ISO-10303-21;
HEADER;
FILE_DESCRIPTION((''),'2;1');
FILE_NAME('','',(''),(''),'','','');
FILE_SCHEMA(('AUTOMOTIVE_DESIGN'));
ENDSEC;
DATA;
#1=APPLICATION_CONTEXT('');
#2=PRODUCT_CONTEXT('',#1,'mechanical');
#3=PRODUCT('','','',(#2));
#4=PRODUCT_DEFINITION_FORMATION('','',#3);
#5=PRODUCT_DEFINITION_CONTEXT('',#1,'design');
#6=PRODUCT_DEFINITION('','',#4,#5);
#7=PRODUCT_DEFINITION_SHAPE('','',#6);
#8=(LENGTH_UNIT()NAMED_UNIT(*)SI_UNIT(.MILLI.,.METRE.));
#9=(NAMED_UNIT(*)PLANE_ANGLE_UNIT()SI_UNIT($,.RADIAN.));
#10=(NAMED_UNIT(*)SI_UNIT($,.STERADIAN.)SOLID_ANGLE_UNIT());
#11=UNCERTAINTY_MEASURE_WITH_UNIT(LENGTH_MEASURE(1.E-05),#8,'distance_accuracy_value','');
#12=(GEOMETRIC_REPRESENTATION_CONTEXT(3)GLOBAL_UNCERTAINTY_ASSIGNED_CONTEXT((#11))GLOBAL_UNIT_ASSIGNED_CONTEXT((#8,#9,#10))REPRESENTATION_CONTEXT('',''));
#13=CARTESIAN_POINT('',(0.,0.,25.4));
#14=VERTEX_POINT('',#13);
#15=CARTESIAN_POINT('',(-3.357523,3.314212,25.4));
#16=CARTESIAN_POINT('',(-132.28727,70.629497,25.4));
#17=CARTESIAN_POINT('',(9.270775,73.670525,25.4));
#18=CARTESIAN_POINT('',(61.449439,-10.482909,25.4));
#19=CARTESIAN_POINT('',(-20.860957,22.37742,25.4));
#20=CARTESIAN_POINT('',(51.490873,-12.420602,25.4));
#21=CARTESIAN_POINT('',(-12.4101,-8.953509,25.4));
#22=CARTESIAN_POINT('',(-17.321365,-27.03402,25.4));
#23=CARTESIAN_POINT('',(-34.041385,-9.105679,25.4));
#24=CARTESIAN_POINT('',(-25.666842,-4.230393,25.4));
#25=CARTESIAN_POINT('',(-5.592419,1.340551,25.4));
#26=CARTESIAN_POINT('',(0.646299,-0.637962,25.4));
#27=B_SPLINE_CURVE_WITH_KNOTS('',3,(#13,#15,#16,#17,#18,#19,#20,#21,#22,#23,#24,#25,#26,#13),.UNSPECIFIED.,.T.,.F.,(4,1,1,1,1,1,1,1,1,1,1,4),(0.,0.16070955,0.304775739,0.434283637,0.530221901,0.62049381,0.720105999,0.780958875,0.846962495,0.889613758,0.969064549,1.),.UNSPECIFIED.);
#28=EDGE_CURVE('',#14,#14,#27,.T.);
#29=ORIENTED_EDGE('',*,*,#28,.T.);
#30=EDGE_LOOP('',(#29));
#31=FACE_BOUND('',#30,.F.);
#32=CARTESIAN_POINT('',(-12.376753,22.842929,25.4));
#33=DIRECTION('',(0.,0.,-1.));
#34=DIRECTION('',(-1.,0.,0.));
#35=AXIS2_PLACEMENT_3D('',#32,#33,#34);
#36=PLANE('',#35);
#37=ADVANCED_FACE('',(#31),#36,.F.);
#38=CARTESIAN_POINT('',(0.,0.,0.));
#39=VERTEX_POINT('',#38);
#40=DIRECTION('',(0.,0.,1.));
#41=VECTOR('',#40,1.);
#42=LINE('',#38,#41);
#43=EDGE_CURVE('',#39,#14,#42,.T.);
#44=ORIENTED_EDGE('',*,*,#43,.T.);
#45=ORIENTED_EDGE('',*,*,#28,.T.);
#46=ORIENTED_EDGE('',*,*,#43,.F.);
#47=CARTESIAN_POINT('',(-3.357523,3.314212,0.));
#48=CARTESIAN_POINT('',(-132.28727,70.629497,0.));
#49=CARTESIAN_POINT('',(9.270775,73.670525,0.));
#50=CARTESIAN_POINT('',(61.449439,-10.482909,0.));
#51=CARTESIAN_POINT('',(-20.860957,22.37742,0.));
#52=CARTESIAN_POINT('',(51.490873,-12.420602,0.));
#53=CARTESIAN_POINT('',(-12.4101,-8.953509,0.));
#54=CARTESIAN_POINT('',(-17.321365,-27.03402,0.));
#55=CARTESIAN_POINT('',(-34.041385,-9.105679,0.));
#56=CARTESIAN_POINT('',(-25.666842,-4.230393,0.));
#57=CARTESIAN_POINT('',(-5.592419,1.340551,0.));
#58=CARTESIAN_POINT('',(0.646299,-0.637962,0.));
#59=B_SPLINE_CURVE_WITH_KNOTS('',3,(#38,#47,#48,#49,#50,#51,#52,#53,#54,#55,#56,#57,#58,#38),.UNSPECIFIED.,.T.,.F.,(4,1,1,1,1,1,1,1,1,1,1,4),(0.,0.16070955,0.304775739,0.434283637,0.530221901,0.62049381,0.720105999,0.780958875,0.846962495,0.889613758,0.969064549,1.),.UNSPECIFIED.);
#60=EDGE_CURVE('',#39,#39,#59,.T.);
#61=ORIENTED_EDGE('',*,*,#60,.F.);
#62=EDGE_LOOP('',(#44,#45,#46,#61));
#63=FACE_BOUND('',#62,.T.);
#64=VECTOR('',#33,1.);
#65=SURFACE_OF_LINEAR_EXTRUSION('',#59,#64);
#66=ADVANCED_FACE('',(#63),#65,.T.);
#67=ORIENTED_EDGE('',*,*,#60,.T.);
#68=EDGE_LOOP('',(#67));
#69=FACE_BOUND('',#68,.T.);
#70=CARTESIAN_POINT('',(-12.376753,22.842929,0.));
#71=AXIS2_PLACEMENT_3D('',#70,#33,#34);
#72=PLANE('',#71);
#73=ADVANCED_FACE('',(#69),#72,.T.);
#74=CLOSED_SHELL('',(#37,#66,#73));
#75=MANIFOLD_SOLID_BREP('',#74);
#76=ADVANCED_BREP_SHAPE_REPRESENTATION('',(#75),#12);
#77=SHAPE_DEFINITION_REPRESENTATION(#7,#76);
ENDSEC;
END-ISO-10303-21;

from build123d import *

# Parameters (mm, degrees)
F1_DEPTH = 25.4


with BuildPart() as f1:
    # F0 (on Top) → F1 (new body)
    with BuildSketch(Plane.XY):
        with BuildLine():
            add(Edge.make_bspline(
                [(0, 0), (-3.357522618, 3.3142117408), (-132.2872695437, 70.629496977), (9.2707749025, 73.6705253795), (61.449439244, -10.4829088769), (-20.8609570947, 22.3774200081), (51.490872892, -12.4206021785), (-12.4100999675, -8.9535085846), (-17.3213649043, -27.0340195698), (-34.0413853491, -9.1056789045), (-25.6668422964, -4.2303930447), (-5.5924188457, 1.3405505856), (0.6462993435, -0.6379623061), (0, 0)],
                knots=[0, 0, 0, 0, 0.1607095505, 0.304775739, 0.4342836368, 0.5302219013, 0.6204938098, 0.7201059987, 0.7809588747, 0.846962495, 0.8896137579, 0.9690645488, 1, 1, 1, 1], degree=3))
        make_face()
    extrude(amount=F1_DEPTH)


solid = f1.part
